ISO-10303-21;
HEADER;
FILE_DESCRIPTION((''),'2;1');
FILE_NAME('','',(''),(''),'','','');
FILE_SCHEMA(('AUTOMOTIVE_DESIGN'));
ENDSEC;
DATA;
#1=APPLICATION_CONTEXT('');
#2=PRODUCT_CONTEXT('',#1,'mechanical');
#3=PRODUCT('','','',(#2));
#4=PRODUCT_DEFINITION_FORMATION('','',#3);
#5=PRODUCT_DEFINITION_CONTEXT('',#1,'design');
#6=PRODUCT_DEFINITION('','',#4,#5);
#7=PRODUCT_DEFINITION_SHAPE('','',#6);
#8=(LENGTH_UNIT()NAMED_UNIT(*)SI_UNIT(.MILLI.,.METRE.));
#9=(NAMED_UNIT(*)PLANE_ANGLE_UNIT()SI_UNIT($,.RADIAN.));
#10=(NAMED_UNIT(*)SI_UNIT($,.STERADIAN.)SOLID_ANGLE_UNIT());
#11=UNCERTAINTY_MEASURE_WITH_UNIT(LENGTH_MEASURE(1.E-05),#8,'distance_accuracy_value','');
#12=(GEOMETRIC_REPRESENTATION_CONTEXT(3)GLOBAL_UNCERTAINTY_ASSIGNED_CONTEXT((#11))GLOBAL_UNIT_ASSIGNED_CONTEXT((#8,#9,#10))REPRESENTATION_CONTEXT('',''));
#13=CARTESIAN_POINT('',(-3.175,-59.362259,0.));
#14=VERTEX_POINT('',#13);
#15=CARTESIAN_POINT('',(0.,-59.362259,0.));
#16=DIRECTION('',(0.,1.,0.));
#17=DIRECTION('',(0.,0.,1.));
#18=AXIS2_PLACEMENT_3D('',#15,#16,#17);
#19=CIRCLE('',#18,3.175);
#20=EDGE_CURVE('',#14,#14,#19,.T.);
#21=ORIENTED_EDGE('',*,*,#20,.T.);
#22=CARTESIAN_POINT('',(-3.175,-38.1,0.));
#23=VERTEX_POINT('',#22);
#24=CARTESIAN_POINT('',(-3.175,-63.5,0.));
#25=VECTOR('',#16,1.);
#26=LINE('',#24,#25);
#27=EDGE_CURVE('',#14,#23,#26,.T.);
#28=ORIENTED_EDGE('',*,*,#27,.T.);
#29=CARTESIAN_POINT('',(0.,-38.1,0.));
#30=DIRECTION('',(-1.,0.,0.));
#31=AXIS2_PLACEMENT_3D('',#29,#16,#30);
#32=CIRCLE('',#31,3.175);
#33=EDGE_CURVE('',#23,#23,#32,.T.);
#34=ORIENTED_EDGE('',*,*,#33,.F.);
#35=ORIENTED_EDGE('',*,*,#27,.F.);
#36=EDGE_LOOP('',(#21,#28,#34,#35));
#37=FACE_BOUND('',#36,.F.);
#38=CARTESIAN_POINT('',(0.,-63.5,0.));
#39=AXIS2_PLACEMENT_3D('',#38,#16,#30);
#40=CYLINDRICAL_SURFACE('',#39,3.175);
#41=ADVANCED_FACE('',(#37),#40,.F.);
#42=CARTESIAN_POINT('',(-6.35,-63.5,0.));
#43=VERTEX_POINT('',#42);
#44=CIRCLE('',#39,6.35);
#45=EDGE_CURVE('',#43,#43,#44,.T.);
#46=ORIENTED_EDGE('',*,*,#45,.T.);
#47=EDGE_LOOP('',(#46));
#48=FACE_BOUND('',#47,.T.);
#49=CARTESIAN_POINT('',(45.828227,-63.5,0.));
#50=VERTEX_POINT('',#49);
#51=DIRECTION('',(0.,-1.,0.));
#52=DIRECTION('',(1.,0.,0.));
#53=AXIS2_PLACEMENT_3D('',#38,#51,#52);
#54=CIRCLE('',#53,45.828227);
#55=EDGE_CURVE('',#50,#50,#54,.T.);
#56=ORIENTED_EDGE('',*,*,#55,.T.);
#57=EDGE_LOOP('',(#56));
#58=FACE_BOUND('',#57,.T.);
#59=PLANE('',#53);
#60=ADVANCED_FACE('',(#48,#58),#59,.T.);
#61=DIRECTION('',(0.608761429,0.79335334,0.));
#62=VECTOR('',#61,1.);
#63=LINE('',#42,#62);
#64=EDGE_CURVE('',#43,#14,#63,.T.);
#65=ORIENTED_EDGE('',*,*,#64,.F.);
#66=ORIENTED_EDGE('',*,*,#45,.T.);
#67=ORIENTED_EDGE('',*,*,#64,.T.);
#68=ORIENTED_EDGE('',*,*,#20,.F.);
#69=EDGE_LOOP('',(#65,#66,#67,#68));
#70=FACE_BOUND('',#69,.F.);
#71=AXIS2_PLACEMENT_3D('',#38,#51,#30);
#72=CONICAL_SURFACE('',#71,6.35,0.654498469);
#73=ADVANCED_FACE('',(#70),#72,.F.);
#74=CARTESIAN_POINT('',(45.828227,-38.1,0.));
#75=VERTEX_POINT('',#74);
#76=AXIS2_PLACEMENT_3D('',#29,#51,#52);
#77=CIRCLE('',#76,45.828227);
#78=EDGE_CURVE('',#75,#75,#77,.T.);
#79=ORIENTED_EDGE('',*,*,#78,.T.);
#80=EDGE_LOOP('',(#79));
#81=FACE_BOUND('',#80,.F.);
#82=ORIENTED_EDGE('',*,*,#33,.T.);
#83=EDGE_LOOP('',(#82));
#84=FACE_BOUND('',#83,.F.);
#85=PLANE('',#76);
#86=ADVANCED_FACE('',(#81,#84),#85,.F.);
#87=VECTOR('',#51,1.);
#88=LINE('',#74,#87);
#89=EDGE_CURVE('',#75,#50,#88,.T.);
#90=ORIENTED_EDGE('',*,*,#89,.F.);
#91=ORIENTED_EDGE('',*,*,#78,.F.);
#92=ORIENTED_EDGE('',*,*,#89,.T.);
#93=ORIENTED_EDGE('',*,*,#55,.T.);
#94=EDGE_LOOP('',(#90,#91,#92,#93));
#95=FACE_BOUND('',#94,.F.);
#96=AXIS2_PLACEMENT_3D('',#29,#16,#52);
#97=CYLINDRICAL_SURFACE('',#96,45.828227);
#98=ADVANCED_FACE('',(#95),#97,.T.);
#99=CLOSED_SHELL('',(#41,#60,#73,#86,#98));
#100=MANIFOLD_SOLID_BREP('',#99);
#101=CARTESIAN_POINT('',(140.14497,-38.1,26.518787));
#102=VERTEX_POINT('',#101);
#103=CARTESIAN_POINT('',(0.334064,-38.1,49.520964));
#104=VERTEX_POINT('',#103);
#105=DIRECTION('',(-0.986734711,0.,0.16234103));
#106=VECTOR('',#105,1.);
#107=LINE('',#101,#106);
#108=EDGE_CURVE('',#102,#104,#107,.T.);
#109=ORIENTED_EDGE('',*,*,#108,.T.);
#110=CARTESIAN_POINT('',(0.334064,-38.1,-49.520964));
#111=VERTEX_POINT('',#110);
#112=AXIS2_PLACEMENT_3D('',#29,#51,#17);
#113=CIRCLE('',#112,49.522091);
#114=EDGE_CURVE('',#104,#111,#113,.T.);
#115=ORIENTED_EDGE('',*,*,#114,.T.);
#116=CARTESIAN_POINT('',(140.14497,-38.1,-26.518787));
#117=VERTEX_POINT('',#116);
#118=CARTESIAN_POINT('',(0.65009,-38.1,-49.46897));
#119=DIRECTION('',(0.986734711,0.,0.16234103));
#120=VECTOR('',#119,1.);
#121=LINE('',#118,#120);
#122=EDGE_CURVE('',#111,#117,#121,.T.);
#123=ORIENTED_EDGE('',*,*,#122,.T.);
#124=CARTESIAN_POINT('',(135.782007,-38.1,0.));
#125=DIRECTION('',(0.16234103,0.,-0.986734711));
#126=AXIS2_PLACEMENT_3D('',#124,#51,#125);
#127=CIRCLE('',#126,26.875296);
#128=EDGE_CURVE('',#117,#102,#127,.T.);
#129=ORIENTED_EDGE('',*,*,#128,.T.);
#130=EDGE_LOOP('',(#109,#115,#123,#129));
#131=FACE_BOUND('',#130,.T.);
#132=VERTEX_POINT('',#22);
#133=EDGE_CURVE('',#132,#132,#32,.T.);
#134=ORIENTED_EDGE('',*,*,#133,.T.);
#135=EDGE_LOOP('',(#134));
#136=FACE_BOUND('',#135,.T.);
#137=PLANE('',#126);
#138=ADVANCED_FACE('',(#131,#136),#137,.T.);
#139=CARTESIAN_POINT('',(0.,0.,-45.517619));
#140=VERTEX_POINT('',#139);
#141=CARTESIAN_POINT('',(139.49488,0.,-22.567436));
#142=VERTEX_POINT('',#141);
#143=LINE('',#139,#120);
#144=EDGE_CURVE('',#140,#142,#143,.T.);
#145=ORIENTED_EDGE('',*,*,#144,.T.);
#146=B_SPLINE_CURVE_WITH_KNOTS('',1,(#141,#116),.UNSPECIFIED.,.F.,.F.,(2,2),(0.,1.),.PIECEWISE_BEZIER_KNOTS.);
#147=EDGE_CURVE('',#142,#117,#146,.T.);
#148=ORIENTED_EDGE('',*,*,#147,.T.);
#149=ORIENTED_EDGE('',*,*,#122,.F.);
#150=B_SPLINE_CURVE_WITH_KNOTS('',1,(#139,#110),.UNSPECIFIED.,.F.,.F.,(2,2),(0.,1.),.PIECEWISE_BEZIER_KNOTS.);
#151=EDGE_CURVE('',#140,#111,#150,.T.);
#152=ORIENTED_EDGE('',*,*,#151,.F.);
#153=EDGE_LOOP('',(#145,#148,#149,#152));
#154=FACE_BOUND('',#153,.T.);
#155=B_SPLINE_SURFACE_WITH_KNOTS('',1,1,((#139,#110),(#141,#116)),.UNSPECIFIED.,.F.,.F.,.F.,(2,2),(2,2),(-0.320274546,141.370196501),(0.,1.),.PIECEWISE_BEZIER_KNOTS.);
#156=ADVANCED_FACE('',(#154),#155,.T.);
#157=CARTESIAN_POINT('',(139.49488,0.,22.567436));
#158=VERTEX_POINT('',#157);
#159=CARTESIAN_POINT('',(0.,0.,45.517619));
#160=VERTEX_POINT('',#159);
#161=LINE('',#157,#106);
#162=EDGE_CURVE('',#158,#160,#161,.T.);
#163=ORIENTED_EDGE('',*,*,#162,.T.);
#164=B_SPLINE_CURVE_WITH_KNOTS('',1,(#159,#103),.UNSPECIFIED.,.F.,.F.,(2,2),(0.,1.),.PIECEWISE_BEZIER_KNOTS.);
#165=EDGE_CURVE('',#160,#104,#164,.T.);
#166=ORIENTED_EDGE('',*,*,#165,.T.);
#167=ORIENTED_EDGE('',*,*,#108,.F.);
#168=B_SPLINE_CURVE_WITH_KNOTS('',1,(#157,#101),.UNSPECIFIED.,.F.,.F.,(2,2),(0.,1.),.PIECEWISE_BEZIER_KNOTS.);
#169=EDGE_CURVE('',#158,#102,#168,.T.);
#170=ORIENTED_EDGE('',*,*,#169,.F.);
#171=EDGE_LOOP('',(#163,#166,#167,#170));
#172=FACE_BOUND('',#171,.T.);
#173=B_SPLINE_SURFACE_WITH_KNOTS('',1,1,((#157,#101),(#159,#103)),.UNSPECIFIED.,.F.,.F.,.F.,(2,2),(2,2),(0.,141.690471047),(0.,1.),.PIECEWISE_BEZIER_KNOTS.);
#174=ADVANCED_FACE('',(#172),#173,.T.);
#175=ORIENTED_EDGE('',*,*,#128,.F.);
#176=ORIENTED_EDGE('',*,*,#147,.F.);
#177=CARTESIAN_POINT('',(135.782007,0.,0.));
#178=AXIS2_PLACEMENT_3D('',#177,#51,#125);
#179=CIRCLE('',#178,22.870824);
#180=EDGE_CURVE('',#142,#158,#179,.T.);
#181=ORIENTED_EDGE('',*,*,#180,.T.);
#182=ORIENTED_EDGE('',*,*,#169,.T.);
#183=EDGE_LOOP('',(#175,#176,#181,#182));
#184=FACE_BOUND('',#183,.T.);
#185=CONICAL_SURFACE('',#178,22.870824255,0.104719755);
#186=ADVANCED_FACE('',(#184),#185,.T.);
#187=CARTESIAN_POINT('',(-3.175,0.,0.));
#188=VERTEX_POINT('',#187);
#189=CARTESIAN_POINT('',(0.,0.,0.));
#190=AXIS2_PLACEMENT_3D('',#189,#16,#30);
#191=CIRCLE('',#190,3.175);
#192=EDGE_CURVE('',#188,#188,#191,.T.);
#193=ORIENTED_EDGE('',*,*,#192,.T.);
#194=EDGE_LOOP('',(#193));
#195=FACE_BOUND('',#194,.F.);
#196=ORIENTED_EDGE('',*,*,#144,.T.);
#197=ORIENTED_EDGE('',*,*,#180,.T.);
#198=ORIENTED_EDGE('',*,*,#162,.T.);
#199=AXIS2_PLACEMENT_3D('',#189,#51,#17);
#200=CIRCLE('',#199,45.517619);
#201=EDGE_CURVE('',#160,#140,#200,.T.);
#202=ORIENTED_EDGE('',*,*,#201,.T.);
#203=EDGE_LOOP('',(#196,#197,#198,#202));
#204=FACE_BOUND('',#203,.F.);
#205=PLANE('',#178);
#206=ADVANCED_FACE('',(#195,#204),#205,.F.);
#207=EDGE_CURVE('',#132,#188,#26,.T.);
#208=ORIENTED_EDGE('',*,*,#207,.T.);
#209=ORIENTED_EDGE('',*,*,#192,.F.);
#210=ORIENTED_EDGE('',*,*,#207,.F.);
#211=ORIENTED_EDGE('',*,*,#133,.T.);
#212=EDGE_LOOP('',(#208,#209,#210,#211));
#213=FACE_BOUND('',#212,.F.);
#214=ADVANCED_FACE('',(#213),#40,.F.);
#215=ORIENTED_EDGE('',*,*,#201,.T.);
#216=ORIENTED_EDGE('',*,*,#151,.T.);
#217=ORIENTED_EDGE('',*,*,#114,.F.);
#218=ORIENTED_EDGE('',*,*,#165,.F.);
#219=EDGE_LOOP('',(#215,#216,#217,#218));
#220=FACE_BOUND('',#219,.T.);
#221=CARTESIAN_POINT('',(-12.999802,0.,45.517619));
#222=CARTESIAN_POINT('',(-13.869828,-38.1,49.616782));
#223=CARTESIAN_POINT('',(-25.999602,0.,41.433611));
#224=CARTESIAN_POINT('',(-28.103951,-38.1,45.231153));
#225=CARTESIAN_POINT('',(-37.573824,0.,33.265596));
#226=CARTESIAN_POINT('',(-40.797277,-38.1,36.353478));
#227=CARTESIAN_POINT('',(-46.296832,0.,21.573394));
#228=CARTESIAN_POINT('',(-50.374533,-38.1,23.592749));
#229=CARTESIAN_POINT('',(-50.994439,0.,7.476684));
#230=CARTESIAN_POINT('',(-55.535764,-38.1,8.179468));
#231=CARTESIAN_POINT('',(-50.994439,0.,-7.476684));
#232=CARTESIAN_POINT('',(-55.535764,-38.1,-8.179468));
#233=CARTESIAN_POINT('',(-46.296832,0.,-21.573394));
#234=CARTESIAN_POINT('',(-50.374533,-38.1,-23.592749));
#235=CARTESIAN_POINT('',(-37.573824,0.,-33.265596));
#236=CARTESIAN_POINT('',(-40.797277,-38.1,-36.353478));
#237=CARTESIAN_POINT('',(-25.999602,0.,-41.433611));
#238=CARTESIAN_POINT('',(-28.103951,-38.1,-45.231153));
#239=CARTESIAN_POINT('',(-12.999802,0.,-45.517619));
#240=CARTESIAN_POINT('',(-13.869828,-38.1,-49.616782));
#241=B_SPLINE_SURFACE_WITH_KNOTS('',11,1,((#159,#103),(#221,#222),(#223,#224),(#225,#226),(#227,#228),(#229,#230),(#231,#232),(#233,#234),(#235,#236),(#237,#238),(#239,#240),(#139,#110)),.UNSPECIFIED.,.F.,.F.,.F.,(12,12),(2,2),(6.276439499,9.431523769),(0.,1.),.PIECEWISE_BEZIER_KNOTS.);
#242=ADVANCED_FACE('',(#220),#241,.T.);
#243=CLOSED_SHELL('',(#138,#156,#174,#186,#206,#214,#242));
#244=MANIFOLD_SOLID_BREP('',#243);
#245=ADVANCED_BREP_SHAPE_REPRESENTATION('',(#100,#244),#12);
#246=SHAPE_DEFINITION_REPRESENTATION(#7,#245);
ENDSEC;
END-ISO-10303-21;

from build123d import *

# Parameters (mm, degrees)
F1_DEPTH         = 38.1
F1_TAPER         = -6
F2_R             = 45.8282272946
F3_DEPTH         = 25.4
F5_D             = 6.35
F5_CSINK_D       = 12.7
F5_CSINK_ANGLE   = 75
F5_2_D           = 6.35
F5_2_CSINK_D     = 12.7
F5_2_CSINK_ANGLE = 75


with BuildPart() as f1:
    # F0 (on Front) → F1 (new body)
    with BuildSketch(Plane.XZ):
        with BuildLine():
            Line((0, -45.5176194787), (139.4948799936, -22.5674361626))
            ThreePointArc((139.4948799936, -22.5674361626), (158.6528310814, 0), (139.4948799936, 22.5674361626))
            Line((139.4948799936, 22.5674361626), (0, 45.5176194787))
            ThreePointArc((0, 45.5176194787), (-45.5176194787, 0), (0, -45.5176194787))
        make_face()
    extrude(amount=F1_DEPTH, taper=F1_TAPER)

    # F5 (through all)
    with Locations(Plane.XZ.offset(63.5)):
        with Locations((0, 0)):
            CounterSinkHole(F5_D / 2, F5_CSINK_D / 2, counter_sink_angle=F5_CSINK_ANGLE)


with BuildPart() as f3:
    # F2 (on face) → F3 (new body)
    with BuildSketch(Plane.XZ.offset(38.1)):
        Circle(F2_R)
    extrude(amount=F3_DEPTH)

    # F5#2 (through all)
    with Locations(Plane.XZ.offset(63.5)):
        with Locations((0, 0)):
            CounterSinkHole(F5_2_D / 2, F5_2_CSINK_D / 2, counter_sink_angle=F5_2_CSINK_ANGLE)


solid = Compound([f1.part, f3.part])
